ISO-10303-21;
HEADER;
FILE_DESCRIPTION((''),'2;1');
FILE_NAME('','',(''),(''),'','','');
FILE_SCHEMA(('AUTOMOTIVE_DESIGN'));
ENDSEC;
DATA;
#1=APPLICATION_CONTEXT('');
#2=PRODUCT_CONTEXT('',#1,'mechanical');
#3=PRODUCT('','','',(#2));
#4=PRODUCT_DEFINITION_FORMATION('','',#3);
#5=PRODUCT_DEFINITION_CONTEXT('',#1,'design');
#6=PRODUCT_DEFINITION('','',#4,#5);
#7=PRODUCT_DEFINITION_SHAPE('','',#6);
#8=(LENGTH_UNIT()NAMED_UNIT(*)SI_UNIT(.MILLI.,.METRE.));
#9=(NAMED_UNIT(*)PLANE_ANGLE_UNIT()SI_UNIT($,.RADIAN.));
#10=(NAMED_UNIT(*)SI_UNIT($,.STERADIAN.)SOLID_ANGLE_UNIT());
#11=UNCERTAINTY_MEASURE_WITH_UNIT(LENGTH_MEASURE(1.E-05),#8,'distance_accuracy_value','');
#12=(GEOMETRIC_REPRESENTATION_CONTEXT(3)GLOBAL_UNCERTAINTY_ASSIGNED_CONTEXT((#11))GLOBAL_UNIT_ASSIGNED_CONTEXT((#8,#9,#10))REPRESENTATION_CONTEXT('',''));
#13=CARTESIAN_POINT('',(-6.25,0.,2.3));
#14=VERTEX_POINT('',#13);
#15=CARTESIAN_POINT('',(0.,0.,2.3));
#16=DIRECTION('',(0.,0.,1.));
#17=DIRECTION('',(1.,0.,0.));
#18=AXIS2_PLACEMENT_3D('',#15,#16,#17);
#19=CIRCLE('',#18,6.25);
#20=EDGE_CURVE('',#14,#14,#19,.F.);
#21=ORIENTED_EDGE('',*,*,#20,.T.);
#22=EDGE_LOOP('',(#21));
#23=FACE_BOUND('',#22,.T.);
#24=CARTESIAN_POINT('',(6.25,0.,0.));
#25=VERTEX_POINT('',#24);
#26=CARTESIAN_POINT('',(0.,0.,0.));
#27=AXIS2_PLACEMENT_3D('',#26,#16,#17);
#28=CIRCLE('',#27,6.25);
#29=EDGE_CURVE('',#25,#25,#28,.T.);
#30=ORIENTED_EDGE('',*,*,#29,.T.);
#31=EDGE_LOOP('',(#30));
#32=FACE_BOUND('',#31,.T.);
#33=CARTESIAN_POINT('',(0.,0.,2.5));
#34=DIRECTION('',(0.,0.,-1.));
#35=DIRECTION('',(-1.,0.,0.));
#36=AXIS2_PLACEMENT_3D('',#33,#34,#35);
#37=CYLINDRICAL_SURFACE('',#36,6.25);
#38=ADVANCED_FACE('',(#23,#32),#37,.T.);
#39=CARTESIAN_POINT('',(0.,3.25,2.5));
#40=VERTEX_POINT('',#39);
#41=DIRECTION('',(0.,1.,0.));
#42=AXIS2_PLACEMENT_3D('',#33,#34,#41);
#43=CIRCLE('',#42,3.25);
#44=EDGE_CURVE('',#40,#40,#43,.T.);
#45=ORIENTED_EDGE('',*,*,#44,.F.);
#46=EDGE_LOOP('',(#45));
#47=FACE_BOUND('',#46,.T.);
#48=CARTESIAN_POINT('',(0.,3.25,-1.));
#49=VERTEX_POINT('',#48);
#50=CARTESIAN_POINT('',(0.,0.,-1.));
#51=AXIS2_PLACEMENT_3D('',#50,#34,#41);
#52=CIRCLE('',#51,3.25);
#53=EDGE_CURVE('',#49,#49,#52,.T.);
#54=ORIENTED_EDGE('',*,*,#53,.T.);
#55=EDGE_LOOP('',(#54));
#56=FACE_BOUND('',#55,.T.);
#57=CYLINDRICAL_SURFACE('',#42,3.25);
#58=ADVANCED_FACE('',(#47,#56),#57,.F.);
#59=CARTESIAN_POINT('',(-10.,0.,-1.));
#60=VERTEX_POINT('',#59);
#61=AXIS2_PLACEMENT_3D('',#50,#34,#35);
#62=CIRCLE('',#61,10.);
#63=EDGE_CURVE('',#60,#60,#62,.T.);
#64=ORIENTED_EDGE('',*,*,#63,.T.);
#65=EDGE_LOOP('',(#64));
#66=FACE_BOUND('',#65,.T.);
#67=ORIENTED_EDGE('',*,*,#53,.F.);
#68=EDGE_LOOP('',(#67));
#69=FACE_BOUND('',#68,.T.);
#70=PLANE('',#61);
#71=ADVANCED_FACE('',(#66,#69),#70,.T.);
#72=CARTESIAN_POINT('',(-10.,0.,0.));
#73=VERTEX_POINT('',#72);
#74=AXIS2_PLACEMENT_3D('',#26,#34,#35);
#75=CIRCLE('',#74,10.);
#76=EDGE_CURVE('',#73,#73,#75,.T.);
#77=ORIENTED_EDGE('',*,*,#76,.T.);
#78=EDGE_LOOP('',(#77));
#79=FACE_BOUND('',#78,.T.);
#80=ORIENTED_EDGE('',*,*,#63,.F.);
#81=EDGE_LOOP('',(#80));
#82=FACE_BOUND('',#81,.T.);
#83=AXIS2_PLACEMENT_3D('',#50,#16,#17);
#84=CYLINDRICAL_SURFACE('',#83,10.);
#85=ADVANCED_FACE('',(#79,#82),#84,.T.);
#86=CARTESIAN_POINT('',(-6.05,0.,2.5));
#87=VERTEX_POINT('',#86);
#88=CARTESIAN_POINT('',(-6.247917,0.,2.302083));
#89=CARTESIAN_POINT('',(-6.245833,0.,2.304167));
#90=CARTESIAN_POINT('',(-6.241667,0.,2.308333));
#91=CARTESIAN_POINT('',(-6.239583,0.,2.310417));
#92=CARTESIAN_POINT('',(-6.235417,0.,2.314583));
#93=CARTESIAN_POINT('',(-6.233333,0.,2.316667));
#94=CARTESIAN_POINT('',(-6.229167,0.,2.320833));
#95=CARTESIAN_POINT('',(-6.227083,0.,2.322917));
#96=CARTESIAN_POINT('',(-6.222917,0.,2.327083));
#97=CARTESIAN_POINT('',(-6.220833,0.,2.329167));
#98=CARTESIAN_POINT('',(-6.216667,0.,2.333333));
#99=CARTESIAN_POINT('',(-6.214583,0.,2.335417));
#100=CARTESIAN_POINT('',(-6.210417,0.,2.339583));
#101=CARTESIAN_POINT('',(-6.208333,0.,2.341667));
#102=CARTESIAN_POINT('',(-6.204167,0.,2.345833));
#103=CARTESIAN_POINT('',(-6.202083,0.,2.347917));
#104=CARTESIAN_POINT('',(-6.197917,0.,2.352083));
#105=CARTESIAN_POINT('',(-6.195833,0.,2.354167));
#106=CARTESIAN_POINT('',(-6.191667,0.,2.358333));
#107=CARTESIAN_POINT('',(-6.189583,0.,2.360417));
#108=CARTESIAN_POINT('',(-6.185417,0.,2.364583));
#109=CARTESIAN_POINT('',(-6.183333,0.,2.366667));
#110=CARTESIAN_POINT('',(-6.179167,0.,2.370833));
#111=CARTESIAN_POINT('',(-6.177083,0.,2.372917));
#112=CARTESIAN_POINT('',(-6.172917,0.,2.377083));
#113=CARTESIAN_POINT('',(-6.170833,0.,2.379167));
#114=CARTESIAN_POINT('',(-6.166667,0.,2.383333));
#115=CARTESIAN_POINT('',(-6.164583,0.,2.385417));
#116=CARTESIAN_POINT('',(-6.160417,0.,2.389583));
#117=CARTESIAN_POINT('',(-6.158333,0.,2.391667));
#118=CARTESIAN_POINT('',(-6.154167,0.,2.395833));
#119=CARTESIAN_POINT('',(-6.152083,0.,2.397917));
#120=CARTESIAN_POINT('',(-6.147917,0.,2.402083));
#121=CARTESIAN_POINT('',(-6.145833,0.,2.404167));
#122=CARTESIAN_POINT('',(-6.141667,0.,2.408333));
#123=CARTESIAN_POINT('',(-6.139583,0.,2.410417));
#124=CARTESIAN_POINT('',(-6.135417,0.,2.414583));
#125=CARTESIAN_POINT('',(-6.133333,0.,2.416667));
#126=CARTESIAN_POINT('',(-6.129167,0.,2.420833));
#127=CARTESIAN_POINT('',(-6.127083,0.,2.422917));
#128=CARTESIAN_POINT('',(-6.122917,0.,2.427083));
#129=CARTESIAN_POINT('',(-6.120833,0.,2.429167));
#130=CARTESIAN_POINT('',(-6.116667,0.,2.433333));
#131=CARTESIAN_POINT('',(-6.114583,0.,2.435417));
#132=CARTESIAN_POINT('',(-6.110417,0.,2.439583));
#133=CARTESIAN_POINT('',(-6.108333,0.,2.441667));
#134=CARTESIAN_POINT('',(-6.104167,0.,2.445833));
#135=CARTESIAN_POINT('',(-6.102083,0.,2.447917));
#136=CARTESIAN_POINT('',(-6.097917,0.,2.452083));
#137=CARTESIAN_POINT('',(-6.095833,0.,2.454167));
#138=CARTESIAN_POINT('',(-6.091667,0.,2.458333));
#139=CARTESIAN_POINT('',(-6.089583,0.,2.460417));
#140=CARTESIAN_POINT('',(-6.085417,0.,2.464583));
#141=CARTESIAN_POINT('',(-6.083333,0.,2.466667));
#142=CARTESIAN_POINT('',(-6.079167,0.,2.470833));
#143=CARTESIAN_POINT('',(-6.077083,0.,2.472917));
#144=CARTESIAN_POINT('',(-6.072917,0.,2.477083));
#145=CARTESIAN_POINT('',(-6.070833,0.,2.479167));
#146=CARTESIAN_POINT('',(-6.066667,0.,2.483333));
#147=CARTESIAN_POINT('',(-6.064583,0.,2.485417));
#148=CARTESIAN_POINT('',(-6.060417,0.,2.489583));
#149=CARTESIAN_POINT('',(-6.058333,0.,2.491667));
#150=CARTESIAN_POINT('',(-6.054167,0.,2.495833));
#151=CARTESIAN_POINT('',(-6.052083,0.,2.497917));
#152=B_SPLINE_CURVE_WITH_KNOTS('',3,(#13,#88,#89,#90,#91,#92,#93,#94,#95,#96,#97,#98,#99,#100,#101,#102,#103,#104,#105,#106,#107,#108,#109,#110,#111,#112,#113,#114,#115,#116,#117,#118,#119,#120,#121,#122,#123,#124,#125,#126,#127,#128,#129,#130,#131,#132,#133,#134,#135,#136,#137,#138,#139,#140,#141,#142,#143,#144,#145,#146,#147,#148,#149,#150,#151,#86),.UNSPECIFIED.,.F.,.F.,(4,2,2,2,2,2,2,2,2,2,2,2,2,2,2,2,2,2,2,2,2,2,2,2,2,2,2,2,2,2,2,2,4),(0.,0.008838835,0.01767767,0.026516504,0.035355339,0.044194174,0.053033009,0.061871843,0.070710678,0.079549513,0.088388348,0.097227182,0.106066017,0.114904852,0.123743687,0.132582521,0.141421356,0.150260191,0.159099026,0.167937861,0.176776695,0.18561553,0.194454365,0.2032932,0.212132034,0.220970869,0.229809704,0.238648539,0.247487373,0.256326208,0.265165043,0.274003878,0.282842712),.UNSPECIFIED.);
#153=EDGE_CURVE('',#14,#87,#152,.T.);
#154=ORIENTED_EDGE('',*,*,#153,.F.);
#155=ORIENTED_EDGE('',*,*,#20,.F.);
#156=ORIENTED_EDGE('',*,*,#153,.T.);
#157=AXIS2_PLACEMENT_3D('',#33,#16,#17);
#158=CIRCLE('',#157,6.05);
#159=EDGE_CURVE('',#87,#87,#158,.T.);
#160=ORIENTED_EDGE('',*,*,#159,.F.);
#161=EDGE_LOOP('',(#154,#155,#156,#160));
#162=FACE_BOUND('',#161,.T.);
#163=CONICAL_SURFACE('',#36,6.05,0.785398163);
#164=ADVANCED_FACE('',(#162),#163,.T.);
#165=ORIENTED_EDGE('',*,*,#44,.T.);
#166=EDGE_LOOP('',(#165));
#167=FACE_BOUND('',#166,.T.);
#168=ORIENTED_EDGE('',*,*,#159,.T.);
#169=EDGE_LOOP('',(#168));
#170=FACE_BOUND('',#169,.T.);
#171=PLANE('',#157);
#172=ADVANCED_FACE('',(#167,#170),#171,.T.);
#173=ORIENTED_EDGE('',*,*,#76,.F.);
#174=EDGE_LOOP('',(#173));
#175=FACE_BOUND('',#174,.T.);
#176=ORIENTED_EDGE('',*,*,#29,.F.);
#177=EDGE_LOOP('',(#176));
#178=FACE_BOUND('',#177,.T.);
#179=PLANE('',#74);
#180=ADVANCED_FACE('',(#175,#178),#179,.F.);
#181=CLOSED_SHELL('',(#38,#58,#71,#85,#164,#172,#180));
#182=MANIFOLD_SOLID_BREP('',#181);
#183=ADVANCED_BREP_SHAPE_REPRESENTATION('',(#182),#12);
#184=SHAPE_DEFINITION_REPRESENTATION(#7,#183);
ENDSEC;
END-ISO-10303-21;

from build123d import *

# Parameters (mm, degrees)
ESQUISSE1_R             = 10
BOSS_EXTRU_1_DEPTH      = 1
ESQUISSE2_R             = 6.25
BOSS_EXTRU_2_DEPTH      = 2.5
ESQUISSE3_R             = 3.25
ENL_V_MAT_EXTRU_1_DEPTH = 15.568802284
CHANFREIN1_SIZE         = 0.2


with BuildPart() as part:
    # Esquisse1 → Boss.-Extru.1 (new body)
    with BuildSketch(Plane(origin=(38.31198223, 224.2058109, 0), x_dir=(0.9566700248572155, 0.2911742837884119, 0), z_dir=(0, 0, -1))):
        with Locations(Location((-101.934891402, 203.3355147, 0), (0, 0, 196.92827176))):
            Circle(ESQUISSE1_R)
    extrude(amount=BOSS_EXTRU_1_DEPTH)

    # Esquisse2 → Boss.-Extru.2 (add)
    with BuildSketch(Plane.XY):
        Circle(ESQUISSE2_R)
    extrude(amount=BOSS_EXTRU_2_DEPTH)

    # Esquisse3 → Enlèv. mat.-Extru.1 (cut, through all)
    with BuildSketch(Plane(origin=(0, 0, -1), x_dir=(1, 0, 0), z_dir=(0, 0, -1))):
        with Locations(Location((0, 0, 0), (0, 0, 270))):
            Circle(ESQUISSE3_R)
    extrude(amount=-ENL_V_MAT_EXTRU_1_DEPTH, mode=Mode.SUBTRACT)

    # Chanfrein1
    chanfrein1_edges = [part.edges().sort_by_distance(p)[0] for p in [
        (-6.25, 0, 2.5),
    ]]
    chamfer(chanfrein1_edges, length=CHANFREIN1_SIZE)


solid = part.part
